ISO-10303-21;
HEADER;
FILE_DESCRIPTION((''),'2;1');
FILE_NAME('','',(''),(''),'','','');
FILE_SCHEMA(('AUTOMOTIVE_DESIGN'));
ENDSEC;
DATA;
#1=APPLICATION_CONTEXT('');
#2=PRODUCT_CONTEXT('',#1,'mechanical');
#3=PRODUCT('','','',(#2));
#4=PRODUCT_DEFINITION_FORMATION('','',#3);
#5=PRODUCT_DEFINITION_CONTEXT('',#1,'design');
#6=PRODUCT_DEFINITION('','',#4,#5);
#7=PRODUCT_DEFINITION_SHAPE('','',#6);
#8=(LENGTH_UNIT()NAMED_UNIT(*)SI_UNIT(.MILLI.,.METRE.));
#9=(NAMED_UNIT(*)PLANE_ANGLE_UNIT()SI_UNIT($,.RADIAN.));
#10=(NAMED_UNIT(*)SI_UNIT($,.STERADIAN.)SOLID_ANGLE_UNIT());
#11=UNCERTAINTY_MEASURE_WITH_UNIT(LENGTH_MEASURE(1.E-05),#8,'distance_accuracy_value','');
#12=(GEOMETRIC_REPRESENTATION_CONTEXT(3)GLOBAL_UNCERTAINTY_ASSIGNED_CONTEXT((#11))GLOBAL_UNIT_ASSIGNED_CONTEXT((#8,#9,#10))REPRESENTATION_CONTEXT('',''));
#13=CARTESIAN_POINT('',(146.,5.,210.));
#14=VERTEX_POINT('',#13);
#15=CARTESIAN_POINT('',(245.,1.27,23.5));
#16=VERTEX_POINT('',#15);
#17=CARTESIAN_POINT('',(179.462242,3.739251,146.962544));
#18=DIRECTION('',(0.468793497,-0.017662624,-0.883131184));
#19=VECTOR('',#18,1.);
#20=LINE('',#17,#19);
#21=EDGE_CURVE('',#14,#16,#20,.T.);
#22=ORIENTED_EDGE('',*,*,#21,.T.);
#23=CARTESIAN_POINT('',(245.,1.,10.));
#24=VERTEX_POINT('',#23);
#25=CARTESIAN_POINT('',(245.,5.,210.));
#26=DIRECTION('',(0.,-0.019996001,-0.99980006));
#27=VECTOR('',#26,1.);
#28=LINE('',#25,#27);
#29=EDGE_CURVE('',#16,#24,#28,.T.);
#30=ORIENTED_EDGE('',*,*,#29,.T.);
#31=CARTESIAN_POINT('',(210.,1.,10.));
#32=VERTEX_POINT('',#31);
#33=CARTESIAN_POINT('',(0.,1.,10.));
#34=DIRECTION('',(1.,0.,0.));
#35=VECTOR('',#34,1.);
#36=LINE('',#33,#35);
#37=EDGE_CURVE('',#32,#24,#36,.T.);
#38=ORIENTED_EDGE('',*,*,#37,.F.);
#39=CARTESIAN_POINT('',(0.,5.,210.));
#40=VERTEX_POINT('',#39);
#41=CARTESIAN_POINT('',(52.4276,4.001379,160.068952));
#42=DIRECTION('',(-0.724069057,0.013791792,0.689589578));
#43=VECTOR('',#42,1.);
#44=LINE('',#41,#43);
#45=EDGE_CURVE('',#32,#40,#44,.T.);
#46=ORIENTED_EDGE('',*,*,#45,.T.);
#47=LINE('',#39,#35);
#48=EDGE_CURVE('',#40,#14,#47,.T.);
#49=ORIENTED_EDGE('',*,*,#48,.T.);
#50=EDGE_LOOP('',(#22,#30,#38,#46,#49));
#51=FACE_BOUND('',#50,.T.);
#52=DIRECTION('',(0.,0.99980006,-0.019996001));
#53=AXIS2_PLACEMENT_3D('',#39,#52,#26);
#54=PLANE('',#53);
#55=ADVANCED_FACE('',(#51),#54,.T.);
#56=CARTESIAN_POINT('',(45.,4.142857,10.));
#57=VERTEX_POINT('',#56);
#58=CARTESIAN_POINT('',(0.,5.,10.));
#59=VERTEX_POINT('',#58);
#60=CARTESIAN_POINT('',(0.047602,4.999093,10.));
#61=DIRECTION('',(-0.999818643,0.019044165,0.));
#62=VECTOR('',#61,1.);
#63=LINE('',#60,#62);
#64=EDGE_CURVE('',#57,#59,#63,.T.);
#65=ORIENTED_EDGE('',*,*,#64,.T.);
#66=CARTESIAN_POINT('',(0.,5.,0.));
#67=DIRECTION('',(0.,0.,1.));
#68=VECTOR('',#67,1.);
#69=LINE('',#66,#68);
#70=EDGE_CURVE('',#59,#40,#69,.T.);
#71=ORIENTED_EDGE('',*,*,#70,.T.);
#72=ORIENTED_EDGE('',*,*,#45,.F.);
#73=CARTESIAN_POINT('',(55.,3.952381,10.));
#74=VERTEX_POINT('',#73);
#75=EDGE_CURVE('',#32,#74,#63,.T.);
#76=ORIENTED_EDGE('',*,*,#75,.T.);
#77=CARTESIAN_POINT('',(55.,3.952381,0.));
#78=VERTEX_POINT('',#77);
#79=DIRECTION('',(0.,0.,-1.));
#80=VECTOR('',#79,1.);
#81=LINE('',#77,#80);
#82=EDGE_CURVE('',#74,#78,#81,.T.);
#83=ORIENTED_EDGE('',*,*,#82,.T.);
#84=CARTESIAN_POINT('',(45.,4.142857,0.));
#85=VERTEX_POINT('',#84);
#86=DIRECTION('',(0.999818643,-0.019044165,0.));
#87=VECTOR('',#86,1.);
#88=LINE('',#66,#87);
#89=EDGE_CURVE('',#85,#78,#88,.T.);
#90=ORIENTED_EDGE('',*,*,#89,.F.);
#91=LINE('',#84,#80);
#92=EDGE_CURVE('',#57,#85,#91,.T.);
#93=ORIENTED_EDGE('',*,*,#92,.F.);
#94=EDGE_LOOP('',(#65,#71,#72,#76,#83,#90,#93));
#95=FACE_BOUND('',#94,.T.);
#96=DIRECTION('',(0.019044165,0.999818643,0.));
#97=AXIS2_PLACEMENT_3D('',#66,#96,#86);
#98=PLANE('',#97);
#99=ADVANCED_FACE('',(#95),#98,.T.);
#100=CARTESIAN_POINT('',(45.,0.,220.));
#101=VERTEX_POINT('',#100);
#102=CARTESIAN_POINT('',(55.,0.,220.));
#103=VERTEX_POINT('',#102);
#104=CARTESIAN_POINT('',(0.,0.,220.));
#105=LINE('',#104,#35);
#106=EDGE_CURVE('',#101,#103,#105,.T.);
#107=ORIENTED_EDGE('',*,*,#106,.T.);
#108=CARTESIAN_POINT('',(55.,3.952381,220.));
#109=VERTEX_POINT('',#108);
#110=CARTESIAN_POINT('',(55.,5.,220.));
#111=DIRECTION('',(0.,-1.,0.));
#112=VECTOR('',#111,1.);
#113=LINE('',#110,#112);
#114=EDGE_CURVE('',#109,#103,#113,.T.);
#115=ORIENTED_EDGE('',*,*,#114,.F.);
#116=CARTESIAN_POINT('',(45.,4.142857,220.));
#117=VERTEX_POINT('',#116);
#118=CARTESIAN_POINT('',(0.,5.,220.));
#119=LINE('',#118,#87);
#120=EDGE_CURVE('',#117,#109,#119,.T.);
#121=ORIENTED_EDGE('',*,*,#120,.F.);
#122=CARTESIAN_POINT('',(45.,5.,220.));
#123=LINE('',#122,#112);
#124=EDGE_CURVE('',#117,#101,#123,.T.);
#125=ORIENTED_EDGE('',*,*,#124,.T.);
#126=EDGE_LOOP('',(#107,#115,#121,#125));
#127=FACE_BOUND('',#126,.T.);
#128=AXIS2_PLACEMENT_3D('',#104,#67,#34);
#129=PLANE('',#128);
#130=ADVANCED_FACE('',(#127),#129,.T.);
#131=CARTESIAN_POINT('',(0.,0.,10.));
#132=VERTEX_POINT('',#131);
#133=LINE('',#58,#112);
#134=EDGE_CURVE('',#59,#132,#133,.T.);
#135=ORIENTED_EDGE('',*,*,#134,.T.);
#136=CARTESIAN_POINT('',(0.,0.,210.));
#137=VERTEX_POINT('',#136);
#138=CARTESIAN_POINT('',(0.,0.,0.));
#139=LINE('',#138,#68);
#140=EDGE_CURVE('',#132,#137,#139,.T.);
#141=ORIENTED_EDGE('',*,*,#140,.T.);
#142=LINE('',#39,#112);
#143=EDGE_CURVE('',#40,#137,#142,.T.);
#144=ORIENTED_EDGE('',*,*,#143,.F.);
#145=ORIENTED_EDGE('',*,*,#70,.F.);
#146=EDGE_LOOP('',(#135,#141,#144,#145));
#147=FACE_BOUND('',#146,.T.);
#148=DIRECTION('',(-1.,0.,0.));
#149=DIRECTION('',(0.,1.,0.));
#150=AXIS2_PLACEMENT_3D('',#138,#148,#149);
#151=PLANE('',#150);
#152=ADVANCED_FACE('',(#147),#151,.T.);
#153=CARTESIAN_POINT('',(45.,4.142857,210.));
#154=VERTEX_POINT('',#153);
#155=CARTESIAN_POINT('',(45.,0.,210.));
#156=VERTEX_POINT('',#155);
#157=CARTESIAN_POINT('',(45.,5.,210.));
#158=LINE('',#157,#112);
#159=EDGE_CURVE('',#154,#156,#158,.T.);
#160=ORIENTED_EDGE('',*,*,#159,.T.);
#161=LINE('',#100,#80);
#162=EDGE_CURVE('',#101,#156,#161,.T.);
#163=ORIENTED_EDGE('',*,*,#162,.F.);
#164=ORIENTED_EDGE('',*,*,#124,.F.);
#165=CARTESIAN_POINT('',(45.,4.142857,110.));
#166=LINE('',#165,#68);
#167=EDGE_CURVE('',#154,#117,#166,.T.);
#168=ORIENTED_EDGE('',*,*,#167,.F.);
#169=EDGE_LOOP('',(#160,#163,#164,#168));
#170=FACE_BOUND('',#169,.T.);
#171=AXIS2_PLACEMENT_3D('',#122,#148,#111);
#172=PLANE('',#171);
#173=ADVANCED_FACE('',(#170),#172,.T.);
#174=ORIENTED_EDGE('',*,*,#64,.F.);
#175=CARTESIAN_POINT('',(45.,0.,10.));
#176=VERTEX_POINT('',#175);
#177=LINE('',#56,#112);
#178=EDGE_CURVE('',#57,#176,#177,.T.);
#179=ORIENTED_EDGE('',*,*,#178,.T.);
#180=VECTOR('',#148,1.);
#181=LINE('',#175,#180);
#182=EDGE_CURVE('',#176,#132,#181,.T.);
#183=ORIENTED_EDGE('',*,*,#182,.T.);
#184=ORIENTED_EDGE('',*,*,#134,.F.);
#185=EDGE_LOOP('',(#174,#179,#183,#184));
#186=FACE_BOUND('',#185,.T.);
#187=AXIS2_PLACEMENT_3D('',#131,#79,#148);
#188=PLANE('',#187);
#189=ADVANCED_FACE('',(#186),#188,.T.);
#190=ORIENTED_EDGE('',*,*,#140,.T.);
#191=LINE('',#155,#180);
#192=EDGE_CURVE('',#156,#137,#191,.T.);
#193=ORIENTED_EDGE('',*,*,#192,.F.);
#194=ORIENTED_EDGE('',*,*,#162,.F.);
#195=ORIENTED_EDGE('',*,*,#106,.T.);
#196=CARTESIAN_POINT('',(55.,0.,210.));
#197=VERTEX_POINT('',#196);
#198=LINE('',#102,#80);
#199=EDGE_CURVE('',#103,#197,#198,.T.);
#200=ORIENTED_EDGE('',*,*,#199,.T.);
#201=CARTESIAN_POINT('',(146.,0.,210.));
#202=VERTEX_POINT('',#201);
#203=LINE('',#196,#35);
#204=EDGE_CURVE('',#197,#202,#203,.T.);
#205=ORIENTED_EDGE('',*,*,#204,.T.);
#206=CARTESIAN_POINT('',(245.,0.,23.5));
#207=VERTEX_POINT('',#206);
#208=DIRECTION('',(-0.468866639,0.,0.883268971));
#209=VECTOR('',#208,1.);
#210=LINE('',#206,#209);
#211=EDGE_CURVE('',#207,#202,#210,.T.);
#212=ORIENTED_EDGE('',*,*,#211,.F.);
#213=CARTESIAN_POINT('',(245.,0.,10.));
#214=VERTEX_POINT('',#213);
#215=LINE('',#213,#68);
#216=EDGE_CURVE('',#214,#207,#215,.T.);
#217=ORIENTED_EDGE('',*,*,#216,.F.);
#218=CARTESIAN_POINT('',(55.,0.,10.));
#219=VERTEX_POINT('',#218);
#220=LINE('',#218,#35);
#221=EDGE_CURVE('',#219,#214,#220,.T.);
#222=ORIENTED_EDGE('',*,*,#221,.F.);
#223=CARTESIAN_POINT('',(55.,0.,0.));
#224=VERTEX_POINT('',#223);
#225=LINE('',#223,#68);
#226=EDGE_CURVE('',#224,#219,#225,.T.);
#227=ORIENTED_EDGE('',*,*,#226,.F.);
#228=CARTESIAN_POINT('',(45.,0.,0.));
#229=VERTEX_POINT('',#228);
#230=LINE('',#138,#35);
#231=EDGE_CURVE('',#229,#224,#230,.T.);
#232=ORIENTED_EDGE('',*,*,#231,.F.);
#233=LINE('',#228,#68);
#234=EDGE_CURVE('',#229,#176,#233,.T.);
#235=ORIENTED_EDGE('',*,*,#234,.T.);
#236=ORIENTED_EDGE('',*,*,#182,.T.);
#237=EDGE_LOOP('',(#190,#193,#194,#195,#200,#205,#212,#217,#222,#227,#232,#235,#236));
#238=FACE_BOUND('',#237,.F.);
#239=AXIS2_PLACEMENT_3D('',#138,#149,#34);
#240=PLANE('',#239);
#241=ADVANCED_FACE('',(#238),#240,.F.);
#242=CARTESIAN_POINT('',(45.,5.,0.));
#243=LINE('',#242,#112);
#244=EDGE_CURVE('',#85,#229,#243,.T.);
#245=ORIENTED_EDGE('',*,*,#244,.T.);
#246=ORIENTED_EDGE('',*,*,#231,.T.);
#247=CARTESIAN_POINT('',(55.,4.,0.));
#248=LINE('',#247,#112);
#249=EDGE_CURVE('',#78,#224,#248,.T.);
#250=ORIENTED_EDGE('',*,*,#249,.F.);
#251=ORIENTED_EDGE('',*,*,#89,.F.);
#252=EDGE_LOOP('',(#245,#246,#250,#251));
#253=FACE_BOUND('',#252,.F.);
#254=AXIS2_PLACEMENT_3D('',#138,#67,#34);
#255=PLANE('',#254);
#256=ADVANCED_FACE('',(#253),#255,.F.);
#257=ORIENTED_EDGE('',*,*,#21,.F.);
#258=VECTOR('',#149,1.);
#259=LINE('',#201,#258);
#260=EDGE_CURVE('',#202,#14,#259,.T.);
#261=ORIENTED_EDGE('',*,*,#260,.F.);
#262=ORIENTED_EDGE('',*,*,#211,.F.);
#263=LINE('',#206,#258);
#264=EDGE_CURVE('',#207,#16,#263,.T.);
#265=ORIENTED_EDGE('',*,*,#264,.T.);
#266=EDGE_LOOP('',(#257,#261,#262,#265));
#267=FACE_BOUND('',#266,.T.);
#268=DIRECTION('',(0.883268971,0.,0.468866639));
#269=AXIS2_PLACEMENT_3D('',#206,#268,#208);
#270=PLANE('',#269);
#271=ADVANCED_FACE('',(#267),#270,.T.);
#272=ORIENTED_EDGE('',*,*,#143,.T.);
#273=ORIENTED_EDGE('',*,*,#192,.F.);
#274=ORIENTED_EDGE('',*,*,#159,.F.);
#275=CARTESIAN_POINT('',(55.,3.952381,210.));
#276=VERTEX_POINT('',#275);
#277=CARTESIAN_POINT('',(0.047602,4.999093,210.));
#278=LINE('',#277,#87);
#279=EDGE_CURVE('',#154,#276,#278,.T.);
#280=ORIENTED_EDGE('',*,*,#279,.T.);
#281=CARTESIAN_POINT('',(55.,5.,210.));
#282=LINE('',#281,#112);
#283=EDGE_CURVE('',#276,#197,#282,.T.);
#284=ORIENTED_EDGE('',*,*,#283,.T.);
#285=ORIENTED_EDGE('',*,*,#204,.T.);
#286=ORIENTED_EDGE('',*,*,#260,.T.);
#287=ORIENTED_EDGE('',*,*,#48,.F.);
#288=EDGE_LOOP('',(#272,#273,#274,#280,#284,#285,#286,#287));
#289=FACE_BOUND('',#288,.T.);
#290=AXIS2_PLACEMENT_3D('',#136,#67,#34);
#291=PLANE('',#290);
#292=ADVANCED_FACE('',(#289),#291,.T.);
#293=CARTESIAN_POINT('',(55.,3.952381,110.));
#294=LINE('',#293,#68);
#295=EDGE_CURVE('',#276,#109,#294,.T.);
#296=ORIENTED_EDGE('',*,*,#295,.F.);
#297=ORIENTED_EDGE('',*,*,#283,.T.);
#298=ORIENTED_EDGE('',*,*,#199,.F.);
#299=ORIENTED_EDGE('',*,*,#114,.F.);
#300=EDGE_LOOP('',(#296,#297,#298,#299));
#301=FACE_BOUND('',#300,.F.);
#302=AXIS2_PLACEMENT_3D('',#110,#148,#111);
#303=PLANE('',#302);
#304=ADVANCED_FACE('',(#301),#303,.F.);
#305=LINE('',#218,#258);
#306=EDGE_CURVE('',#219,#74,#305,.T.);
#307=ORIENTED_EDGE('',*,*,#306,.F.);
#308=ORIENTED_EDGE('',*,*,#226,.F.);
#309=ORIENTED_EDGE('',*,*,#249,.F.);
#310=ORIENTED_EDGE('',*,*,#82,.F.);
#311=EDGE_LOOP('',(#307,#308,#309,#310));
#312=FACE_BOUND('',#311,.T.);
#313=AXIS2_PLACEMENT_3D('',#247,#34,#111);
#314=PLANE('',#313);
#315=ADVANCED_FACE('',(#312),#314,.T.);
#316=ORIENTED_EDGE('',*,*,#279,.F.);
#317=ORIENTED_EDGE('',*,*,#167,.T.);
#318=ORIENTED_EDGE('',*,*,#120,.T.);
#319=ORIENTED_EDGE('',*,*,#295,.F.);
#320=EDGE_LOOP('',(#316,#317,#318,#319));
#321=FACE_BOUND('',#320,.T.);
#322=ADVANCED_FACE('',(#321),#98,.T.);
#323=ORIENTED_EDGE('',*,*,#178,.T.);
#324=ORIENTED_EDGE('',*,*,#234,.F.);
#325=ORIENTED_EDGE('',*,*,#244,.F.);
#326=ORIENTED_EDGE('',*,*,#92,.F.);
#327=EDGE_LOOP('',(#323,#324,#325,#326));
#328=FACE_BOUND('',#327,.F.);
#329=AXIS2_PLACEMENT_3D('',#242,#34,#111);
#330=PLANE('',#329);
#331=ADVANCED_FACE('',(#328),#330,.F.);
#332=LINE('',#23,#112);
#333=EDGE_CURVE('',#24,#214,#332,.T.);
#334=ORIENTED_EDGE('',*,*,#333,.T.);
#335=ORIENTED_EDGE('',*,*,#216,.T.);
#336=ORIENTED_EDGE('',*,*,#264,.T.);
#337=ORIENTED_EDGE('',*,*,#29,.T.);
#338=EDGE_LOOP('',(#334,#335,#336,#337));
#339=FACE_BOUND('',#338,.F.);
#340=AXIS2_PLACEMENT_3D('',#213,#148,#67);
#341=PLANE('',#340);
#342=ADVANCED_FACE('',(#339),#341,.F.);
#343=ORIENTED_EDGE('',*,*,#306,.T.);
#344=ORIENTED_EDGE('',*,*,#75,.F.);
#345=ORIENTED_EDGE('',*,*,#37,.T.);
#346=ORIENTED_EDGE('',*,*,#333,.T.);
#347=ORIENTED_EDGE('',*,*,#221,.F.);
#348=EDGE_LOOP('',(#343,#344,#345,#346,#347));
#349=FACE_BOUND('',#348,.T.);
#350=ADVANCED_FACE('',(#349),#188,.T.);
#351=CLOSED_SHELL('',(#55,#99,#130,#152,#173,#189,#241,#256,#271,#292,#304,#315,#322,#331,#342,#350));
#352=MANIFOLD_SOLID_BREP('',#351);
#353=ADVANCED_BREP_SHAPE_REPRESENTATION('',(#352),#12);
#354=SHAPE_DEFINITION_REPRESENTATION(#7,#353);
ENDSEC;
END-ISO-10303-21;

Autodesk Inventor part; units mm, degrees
ref_plane "YZ Plane" through (0, 0, 0) normal (1, 0, 0) x (0, 1, 0)
ref_plane "XZ Plane" through (0, 0, 0) normal (0, 1, 0) x (-1, 0, 0)
ref_plane "XY Plane" through (0, 0, 0) normal (0, 0, 1) x (1, 0, 0)
sketch "スケッチ1" plane through (0, 0, 0) normal (0, 1, 0) x (-1, 0, 0)
  point P0 (0, 0)
sketch "スケッチ2" plane through (0, 0, 0) normal (0, 0, 1) x (1, 0, 0)
  line L0 (0, 0) -> (0, 5)
  line L1 (0, 5) -> (210, 1)
  line L2 (0, 0) -> (210, 0)
  line L3 (210, 1) -> (210, 0)
  dimension "d0" = 5
  dimension "d1" = 210
  dimension "d28" = 1
extrude "押し出し1" add sketch "スケッチ2" along normal blind 220
sketch "スケッチ4" plane through (0, 0, 220) normal (0, 0, 1) x (1, 0, 0)
  line L0 (0, 5) -> (0, 0) projected
  line L1 (55, 0) -> (245, 0)
  line L2 (245, 0) -> (245, 5)
  line L3 (245, 5) -> (55, 5)
  line L4 (55, 5) -> (55, 0)
  line L5 (0, 5) -> (45, 5)
  line L6 (45, 5) -> (45, 0)
  line L7 (45, 0) -> (0, 0)
  line L8 (0, 0) -> (0, 5)
  point P0 (0, 0)
  dimension "d8" = 5
  dimension "d9" = 190
  dimension "d10" = 55
  dimension "d23" = 45
  dimension "d30" = 5
extrude "押し出し2" cut sketch "スケッチ4" against normal blind 10
sketch "スケッチ5" plane through (0, 0, 0) normal (0, 0, -1) x (-1, 0, 0)
  line L0 (-55, 0) -> (-245, 0)
  line L1 (-245, 0) -> (-245, 4)
  line L2 (-245, 4) -> (-55, 4)
  line L3 (-55, 4) -> (-55, 0)
  line L4 (0, 5) -> (0, 0) projected
  line L5 (0, 5) -> (-45, 5)
  line L6 (-45, 5) -> (-45, 0)
  line L7 (-45, 0) -> (0, 0)
  line L8 (0, 0) -> (0, 5)
  dimension "d13" = 4
  dimension "d14" = 55
  dimension "d15" = 190
  dimension "d22" = 45
  dimension "d29" = 5
extrude "押し出し3" cut sketch "スケッチ5" against normal blind 10
sketch "スケッチ7" plane through (0, 0, 10) normal (-1, 0, 0) x (0, 0, 1)
  line L0 (200, 0) -> (200, 5)
  line L1 (200, 5) -> (0, 1)
  line L2 (0, 0) -> (200, 0)
  line L3 (0, 1) -> (0, 0)
  point P0 (-10, 0)
  dimension "d24" = 5
  dimension "d27" = 200
  dimension "d31" = 1
extrude "押し出し5" add sketch "スケッチ7" against normal blind 245
sketch "スケッチ6" plane through (0, 0, 0) normal (0, -1, 0) x (1, 0, 0)
  line L0 (0, 0) -> (0, 220) projected
  line L1 (55, 10) -> (210, 10) projected
  line L2 (245, 23.5) -> (146, 210)
  line L3 (245, 210) -> (245, 23.5)
  line L4 (146, 210) -> (245, 23.5)
  line L5 (146, 210) -> (245, 210)
  line L6 (210, 210) -> (55, 210) projected
  point P0 (235, 210)
  point P1 (235, 10)
  dimension "d18" = 146
  dimension "d19" = 13.5
extrude "押し出し4" cut sketch "スケッチ6" against normal blind 10
properties part number "坂"
